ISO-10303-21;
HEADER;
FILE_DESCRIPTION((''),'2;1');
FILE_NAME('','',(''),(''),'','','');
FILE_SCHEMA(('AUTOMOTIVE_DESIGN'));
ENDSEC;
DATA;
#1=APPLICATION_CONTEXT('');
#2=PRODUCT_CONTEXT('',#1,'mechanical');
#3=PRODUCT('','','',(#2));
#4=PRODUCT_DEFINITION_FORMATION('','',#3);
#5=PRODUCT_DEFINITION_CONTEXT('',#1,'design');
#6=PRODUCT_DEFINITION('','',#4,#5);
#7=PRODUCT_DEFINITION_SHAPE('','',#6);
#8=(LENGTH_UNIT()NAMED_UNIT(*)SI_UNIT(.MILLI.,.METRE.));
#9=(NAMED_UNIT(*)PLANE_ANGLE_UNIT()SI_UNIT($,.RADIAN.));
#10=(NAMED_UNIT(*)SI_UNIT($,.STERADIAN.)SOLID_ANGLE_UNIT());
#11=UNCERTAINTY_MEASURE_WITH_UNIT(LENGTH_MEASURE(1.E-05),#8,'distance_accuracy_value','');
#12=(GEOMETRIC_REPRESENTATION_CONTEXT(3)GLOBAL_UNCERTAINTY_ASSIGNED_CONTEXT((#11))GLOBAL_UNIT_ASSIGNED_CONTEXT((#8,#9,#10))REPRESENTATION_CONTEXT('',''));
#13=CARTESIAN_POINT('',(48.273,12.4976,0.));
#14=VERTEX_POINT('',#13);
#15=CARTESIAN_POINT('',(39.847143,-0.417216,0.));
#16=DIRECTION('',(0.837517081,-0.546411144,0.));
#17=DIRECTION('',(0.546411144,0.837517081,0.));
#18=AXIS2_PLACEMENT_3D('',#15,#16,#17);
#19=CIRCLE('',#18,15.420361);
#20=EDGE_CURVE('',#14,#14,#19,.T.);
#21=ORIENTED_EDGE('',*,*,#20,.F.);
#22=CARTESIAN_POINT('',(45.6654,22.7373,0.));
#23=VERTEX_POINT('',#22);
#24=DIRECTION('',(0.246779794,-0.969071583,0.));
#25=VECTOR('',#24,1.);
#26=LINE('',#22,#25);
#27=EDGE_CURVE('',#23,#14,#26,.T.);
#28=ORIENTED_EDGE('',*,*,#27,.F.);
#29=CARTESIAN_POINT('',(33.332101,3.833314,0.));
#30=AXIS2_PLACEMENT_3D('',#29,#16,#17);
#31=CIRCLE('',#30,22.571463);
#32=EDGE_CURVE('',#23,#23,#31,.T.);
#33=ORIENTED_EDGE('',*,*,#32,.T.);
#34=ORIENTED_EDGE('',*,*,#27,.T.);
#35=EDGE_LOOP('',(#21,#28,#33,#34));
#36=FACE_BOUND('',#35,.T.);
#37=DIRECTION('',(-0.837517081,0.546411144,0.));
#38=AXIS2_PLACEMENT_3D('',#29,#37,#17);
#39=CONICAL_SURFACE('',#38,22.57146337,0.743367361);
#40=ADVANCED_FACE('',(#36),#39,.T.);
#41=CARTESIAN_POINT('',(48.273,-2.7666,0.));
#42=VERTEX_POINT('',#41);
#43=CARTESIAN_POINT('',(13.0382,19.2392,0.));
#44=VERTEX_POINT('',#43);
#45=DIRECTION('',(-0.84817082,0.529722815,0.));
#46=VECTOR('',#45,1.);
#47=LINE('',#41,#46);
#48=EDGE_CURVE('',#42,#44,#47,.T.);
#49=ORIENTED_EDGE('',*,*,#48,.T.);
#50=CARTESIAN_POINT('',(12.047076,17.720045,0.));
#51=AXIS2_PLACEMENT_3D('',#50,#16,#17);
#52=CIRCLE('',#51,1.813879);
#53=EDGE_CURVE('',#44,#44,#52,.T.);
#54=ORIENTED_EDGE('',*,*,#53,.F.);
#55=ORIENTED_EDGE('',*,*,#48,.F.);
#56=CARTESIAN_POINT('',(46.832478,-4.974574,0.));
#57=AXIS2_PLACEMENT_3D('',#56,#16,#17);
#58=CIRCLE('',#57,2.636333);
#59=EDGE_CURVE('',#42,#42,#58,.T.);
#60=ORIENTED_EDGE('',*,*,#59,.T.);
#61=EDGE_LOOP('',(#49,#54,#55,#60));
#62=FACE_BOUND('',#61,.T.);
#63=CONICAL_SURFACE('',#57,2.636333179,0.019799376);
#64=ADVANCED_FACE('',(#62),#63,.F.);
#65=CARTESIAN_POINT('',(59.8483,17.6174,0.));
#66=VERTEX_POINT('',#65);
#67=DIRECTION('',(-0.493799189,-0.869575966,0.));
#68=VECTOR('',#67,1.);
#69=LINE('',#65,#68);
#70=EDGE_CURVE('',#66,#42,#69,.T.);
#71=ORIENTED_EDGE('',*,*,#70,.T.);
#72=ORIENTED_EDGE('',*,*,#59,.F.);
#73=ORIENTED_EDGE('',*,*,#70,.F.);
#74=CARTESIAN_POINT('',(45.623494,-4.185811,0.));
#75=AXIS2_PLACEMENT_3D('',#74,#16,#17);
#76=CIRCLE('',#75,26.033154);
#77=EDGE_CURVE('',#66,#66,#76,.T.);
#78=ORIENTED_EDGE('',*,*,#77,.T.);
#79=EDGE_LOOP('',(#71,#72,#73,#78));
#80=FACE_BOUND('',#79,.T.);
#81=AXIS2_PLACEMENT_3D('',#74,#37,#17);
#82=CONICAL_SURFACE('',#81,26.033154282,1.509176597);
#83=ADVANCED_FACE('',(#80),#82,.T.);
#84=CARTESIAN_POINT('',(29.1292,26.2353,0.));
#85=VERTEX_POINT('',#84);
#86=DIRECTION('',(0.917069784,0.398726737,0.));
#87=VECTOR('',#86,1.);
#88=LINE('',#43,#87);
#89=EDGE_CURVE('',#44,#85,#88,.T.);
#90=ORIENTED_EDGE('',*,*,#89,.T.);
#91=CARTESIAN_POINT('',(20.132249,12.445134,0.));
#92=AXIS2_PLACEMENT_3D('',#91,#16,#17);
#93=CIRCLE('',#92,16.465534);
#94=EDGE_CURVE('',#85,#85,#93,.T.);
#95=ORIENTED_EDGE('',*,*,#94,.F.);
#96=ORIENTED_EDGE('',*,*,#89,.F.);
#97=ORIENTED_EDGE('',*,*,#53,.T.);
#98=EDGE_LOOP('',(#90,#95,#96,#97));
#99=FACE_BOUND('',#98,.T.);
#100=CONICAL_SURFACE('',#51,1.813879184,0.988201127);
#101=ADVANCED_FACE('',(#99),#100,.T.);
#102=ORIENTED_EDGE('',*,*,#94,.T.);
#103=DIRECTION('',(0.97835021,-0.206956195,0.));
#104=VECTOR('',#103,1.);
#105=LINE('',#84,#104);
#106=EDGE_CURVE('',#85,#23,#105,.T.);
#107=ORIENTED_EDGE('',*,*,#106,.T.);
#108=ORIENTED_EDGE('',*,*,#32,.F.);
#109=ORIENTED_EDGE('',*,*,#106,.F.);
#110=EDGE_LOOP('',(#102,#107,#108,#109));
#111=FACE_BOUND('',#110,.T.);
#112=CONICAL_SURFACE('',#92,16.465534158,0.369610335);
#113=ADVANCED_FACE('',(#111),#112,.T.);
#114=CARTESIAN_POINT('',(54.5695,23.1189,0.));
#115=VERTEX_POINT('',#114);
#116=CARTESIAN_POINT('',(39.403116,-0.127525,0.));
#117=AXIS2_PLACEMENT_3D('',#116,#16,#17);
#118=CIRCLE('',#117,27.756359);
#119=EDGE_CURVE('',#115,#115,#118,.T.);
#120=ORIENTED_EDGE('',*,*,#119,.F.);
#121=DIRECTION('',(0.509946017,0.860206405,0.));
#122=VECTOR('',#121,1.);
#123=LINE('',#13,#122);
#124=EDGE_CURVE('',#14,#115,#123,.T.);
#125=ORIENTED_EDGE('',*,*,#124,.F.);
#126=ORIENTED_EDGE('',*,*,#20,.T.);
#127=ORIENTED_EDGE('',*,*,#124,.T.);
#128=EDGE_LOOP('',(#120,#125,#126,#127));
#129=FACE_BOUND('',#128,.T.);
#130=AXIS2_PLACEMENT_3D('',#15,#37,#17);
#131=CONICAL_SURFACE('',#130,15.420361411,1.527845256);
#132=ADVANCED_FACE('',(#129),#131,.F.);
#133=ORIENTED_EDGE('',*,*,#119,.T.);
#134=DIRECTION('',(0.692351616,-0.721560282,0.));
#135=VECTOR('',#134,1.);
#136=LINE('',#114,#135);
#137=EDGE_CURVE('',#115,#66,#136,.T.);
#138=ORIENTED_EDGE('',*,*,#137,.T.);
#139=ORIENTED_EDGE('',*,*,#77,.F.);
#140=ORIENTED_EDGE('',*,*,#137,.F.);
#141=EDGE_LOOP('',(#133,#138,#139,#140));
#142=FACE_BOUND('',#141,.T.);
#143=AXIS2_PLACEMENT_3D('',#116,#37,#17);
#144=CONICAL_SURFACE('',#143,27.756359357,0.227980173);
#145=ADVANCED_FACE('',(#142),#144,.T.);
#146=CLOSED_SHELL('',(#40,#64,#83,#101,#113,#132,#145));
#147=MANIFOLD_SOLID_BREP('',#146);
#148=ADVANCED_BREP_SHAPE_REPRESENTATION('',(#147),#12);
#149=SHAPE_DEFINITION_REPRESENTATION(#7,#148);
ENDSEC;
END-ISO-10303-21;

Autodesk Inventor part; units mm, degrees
ref_plane "YZ Plane" through (0, 0, 0) normal (1, 0, 0) x (0, 1, 0)
ref_plane "XZ Plane" through (0, 0, 0) normal (0, 1, 0) x (-1, 0, 0)
ref_plane "XY Plane" through (0, 0, 0) normal (0, 0, 1) x (1, 0, 0)
sketch "Sketch1" plane through (0, 0, 0) normal (0, 0, 1) x (1, 0, 0)
  line L0 (13.0382, 19.2392) -> (29.1292, 26.2353)
  line L1 (29.1292, 26.2353) -> (45.6654, 22.7373)
  line L2 (45.6654, 22.7373) -> (48.273, 12.4976)
  line L3 (48.273, 12.4976) -> (54.5695, 23.1189)
  line L4 (54.5695, 23.1189) -> (59.8483, 17.6174)
  line L5 (59.8483, 17.6174) -> (48.273, -2.7666)
  line L6 (48.273, -2.7666) -> (13.0382, 19.2392)
  line L7 (11.0461, 18.3731) -> (46.9692, -5.0626) construction
  point P0 (0, 0)
revolve "Revolution1" add sketch "Sketch1" angle 360 about axis through (11.0461, 18.3731, 0) along (0.8375, -0.5464, 0)
